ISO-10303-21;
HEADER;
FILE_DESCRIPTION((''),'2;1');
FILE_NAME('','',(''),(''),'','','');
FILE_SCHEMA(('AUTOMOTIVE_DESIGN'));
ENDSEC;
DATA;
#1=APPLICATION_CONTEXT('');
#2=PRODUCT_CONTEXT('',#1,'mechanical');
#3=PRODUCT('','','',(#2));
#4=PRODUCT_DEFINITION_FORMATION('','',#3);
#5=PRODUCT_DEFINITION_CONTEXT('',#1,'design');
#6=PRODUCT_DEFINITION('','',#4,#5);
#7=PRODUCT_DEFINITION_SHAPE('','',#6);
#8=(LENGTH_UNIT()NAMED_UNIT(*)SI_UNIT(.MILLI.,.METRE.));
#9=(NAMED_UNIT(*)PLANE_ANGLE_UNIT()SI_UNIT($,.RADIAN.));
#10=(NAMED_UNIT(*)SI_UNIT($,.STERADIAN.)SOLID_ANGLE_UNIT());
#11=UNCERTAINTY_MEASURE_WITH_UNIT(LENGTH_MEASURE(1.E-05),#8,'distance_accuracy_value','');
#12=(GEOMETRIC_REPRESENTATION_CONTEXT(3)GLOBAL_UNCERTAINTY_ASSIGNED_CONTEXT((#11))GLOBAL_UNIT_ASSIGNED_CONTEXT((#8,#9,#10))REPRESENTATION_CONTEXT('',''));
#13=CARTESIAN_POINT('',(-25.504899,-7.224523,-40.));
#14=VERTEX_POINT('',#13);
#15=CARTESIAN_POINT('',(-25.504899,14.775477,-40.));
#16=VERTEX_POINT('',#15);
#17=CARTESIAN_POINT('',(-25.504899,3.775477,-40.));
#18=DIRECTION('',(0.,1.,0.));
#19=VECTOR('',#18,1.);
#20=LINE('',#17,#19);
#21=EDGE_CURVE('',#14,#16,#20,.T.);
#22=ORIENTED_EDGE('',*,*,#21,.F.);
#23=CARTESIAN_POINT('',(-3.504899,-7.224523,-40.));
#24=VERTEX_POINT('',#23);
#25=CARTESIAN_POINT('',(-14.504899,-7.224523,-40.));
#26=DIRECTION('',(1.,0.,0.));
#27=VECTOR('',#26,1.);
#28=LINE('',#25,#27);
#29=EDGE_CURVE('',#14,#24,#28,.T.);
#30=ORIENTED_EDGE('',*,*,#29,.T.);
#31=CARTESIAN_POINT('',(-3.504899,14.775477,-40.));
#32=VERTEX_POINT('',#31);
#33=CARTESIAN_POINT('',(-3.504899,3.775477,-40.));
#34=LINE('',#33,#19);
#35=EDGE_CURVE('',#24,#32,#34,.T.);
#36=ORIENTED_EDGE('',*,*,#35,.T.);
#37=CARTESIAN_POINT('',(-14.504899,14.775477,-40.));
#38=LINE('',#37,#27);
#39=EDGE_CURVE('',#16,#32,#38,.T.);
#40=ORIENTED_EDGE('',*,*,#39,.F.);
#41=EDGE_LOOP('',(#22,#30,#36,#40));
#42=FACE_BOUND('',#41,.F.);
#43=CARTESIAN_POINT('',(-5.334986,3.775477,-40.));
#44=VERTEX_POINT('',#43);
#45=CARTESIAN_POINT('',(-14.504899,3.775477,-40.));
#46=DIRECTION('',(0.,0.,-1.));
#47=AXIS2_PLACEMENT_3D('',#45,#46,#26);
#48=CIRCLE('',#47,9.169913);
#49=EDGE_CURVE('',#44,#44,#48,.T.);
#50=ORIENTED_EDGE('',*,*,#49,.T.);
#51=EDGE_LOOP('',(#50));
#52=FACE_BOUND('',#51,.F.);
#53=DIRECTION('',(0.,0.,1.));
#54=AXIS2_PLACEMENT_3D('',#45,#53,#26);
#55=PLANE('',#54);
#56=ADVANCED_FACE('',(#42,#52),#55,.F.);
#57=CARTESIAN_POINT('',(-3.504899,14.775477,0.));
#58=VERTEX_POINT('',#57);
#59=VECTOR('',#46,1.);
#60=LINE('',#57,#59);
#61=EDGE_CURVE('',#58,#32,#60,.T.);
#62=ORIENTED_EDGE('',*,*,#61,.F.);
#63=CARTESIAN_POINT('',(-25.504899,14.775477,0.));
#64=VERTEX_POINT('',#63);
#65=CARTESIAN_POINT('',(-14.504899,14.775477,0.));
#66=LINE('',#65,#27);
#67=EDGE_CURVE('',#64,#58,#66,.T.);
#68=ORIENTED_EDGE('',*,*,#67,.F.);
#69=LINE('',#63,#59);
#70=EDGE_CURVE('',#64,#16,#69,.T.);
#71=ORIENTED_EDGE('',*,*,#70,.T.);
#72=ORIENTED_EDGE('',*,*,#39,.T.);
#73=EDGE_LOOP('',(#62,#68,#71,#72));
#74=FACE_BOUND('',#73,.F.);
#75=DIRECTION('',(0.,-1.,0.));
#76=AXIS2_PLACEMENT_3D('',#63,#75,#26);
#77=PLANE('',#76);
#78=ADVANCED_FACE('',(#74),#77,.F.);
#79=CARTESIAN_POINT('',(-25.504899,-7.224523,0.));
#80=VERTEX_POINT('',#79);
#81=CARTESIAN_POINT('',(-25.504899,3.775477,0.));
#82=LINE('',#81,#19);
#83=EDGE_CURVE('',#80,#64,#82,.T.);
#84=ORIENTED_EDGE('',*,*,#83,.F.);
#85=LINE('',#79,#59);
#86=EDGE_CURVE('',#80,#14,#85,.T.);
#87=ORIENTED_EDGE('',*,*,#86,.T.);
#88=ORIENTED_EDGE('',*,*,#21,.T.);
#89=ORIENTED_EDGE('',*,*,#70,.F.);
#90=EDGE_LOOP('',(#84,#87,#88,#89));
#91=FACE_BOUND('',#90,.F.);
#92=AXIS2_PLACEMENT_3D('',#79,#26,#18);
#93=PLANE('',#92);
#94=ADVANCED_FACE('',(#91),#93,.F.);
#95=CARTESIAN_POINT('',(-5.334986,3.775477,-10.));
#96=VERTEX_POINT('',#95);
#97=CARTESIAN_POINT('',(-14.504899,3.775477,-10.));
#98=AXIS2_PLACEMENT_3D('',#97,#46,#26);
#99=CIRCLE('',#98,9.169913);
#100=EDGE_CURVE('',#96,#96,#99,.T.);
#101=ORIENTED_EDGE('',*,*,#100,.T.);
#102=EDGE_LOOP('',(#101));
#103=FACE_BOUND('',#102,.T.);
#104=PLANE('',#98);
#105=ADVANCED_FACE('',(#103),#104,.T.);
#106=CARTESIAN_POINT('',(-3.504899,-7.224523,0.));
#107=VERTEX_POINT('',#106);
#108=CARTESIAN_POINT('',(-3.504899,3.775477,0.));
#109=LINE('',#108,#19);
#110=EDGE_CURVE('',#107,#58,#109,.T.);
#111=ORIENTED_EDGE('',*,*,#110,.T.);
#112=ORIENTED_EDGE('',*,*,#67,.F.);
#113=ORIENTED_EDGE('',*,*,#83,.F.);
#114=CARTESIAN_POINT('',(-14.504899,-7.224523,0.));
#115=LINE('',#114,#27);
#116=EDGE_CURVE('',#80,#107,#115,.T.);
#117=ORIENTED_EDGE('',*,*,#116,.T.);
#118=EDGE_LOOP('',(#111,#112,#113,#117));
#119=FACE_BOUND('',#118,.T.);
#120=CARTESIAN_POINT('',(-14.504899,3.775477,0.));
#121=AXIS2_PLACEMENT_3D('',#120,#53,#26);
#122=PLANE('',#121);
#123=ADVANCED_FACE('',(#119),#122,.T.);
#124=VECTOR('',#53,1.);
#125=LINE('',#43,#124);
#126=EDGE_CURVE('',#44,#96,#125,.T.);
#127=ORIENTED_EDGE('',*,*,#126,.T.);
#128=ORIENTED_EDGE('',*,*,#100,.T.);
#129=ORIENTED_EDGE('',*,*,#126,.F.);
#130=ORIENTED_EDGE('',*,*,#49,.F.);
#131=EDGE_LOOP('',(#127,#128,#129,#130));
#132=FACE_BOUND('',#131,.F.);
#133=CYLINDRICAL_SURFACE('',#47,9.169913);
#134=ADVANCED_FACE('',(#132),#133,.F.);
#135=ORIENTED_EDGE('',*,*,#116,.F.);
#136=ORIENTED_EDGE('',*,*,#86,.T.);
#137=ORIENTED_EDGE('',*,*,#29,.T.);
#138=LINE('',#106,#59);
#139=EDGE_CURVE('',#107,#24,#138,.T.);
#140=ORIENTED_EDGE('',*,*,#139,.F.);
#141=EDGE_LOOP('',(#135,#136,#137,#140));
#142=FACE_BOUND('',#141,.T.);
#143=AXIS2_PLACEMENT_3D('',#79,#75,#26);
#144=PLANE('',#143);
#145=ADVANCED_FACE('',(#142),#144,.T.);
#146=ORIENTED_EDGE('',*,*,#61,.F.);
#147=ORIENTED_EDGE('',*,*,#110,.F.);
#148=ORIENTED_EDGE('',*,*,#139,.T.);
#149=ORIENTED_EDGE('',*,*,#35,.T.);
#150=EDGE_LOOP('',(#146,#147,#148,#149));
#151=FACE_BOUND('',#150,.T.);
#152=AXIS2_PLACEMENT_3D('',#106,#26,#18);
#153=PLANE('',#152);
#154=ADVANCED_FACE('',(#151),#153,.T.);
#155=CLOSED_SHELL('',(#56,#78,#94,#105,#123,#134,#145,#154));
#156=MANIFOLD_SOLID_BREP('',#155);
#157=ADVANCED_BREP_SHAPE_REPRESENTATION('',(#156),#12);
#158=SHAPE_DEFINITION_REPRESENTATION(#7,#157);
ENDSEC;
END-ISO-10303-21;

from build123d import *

# Parameters (mm, degrees)
F0_W     = 22
F0_H     = 22
F1_DEPTH = 40
F2_R     = 9.169913
F3_DEPTH = 30


with BuildPart() as f1:
    # F0 (on Top) → F1 (new body)
    with BuildSketch(Plane.XY):
        with Locations((-14.504899, 3.775477)):
            Rectangle(F0_W, F0_H)
    extrude(amount=-F1_DEPTH)

    # F2 (on face) → F3 (cut)
    with BuildSketch(Plane(origin=(0, 0, -40), x_dir=(1, 0, 0), z_dir=(0, 0, -1))):
        with Locations((-14.504899, -3.775477)):
            Circle(F2_R)
    extrude(amount=-F3_DEPTH, mode=Mode.SUBTRACT)


solid = f1.part
